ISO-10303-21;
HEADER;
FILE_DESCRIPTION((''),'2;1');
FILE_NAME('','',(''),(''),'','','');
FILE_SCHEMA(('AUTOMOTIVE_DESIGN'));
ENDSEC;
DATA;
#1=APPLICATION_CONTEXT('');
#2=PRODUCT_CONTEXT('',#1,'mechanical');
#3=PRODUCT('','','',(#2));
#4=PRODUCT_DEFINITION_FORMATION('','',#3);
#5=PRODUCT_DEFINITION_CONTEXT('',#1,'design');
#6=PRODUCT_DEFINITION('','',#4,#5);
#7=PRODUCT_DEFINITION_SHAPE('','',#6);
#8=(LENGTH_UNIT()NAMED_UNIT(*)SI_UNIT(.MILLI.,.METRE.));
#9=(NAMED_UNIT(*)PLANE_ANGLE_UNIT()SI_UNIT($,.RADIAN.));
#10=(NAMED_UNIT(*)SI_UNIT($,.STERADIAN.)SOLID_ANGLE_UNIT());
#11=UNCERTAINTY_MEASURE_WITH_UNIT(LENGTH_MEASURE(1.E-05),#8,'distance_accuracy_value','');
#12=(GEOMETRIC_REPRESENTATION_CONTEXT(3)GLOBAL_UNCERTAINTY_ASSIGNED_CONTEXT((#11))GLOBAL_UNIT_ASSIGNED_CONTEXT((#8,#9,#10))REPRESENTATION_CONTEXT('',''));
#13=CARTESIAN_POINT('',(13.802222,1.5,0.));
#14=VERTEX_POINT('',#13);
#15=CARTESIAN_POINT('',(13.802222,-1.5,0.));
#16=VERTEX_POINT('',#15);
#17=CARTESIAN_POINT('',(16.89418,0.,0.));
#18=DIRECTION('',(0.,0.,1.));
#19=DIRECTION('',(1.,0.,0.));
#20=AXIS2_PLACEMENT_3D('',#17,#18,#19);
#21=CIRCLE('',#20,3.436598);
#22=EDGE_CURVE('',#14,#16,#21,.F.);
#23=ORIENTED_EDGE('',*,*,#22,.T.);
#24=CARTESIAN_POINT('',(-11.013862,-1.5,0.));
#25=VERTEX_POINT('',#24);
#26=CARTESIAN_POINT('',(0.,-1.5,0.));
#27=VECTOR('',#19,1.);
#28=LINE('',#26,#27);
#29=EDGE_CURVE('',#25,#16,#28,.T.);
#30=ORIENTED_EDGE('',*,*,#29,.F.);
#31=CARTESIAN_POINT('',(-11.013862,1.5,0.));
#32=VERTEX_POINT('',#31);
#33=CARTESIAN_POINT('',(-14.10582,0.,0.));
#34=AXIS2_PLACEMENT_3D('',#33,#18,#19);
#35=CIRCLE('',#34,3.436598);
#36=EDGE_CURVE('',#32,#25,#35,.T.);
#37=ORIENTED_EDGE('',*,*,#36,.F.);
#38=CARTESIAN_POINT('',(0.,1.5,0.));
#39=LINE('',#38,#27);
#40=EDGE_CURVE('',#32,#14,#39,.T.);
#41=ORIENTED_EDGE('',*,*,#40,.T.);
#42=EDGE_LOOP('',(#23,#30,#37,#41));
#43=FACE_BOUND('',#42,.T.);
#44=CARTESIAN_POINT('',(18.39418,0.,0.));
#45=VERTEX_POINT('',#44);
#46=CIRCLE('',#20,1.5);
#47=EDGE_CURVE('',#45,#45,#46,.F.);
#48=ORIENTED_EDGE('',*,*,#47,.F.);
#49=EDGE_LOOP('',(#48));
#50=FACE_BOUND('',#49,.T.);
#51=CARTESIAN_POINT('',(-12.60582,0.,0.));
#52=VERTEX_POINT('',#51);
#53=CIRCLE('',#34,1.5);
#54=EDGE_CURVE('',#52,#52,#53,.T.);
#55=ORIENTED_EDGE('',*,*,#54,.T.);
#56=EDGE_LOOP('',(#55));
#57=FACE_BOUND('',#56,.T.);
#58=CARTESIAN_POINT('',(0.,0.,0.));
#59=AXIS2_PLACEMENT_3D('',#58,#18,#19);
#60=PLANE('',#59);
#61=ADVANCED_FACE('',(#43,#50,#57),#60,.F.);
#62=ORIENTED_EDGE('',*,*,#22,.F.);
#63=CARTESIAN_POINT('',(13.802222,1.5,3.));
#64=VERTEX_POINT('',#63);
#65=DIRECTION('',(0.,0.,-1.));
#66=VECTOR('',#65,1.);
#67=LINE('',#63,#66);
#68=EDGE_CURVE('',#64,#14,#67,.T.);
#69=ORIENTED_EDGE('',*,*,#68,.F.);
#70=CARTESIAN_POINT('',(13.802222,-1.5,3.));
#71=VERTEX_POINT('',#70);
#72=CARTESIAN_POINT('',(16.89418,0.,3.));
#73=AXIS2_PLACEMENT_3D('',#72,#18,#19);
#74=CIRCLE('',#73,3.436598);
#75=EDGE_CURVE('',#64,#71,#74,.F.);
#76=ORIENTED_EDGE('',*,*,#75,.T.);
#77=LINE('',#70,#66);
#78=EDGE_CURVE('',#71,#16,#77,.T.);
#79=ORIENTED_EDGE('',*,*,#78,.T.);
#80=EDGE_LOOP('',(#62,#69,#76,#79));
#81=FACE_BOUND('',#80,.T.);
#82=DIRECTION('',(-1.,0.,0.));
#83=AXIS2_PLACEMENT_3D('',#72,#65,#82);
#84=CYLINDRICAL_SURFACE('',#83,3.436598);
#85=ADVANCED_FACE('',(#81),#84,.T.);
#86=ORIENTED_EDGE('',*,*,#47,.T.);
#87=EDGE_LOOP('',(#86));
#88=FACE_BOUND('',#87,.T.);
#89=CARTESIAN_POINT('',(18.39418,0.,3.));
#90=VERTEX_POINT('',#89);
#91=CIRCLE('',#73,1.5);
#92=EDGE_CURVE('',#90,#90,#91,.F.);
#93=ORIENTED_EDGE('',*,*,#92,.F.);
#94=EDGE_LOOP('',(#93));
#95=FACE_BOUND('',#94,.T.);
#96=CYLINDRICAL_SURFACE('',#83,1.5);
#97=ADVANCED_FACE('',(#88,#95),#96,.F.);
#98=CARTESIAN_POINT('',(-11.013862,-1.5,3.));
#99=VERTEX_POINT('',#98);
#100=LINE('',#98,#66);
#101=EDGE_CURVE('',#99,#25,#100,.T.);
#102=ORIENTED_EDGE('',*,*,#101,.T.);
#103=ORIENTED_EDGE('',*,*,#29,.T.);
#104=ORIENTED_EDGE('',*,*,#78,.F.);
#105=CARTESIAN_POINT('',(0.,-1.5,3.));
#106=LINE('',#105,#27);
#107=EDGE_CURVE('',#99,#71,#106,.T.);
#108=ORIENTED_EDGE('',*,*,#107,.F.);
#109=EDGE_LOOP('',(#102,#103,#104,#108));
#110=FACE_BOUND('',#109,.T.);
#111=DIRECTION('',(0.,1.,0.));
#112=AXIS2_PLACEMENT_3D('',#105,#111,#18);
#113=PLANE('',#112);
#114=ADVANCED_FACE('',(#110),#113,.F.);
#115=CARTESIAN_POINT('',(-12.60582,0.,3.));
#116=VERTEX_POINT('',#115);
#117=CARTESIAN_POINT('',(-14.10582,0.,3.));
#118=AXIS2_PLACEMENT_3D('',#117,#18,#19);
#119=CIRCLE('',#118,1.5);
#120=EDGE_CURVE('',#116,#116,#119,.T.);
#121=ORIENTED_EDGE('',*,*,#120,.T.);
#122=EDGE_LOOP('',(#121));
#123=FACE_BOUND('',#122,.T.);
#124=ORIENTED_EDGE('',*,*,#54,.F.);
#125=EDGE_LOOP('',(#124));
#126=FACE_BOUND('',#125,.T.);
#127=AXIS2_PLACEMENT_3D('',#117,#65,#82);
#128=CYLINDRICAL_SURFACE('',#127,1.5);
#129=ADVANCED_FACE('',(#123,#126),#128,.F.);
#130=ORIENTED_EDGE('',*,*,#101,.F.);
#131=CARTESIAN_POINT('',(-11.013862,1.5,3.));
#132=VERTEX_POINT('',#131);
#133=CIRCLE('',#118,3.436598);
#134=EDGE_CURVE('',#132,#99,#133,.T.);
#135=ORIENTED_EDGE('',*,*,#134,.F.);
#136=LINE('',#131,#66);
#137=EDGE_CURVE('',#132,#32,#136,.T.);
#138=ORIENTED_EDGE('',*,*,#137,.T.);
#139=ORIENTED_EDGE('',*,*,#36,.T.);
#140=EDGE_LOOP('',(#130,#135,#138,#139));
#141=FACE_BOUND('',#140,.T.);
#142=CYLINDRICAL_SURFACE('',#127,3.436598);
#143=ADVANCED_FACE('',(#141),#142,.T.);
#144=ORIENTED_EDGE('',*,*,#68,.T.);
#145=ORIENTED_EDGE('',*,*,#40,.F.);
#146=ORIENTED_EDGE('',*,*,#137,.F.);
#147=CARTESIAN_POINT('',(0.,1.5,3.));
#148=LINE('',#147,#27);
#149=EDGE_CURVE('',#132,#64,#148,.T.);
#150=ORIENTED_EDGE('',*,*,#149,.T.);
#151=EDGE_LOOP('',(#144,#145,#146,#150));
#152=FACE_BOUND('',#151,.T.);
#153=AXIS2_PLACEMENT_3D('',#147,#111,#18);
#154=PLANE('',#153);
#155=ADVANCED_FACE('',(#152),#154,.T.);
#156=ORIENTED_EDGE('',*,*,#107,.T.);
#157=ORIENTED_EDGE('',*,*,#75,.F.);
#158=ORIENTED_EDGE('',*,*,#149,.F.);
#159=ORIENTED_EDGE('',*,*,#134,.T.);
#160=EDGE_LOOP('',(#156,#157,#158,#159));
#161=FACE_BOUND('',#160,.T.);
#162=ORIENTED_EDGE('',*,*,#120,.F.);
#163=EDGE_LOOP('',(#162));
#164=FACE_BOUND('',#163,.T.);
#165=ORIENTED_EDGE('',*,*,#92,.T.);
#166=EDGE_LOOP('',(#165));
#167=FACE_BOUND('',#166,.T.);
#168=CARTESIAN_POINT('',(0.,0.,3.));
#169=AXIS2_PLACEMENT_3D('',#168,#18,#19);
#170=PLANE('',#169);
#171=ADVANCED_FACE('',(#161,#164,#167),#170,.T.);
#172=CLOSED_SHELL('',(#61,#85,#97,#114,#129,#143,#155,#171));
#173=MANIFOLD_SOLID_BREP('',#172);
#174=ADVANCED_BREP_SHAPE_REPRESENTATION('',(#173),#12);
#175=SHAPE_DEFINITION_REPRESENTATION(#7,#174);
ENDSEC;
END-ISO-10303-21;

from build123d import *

# Parameters (mm, degrees)
SKETCH2_R           = 3.436597574
SKETCH2_R_2         = 1.5
BOSS_EXTRUDE1_DEPTH = 3


with BuildPart() as part:
    # Sketch2 → Boss-Extrude1 (new body)
    # profile 1 of 3: a face of its own
    with BuildSketch(Plane.XY):
        with Locations((-14.105820106, 0)):
            Circle(SKETCH2_R)
        with Locations((-14.105820106, 0)):
            Circle(SKETCH2_R_2, mode=Mode.SUBTRACT)
    # profile 2 of 3: a face of its own
    with BuildSketch(Plane.XY):
        with BuildLine():
            Line((13.802222119, 1.5), (-11.01386233, 1.5))
            ThreePointArc((-11.01386233, 1.5), (-10.756490511, 0.769541518), (-10.669222532, 0))
            ThreePointArc((-10.669222532, 0), (-10.756490511, -0.769541518), (-11.01386233, -1.5))
            Line((-11.01386233, -1.5), (13.802222119, -1.5))
            ThreePointArc((13.802222119, -1.5), (13.45758232, 0), (13.802222119, 1.5))
        make_face()
    # profile 3 of 3: a face of its own
    with BuildSketch(Plane.XY):
        with Locations((16.894179894, 0)):
            Circle(SKETCH2_R)
        with Locations((16.894179894, 0)):
            Circle(SKETCH2_R_2, mode=Mode.SUBTRACT)
    extrude(amount=BOSS_EXTRUDE1_DEPTH)


solid = part.part
